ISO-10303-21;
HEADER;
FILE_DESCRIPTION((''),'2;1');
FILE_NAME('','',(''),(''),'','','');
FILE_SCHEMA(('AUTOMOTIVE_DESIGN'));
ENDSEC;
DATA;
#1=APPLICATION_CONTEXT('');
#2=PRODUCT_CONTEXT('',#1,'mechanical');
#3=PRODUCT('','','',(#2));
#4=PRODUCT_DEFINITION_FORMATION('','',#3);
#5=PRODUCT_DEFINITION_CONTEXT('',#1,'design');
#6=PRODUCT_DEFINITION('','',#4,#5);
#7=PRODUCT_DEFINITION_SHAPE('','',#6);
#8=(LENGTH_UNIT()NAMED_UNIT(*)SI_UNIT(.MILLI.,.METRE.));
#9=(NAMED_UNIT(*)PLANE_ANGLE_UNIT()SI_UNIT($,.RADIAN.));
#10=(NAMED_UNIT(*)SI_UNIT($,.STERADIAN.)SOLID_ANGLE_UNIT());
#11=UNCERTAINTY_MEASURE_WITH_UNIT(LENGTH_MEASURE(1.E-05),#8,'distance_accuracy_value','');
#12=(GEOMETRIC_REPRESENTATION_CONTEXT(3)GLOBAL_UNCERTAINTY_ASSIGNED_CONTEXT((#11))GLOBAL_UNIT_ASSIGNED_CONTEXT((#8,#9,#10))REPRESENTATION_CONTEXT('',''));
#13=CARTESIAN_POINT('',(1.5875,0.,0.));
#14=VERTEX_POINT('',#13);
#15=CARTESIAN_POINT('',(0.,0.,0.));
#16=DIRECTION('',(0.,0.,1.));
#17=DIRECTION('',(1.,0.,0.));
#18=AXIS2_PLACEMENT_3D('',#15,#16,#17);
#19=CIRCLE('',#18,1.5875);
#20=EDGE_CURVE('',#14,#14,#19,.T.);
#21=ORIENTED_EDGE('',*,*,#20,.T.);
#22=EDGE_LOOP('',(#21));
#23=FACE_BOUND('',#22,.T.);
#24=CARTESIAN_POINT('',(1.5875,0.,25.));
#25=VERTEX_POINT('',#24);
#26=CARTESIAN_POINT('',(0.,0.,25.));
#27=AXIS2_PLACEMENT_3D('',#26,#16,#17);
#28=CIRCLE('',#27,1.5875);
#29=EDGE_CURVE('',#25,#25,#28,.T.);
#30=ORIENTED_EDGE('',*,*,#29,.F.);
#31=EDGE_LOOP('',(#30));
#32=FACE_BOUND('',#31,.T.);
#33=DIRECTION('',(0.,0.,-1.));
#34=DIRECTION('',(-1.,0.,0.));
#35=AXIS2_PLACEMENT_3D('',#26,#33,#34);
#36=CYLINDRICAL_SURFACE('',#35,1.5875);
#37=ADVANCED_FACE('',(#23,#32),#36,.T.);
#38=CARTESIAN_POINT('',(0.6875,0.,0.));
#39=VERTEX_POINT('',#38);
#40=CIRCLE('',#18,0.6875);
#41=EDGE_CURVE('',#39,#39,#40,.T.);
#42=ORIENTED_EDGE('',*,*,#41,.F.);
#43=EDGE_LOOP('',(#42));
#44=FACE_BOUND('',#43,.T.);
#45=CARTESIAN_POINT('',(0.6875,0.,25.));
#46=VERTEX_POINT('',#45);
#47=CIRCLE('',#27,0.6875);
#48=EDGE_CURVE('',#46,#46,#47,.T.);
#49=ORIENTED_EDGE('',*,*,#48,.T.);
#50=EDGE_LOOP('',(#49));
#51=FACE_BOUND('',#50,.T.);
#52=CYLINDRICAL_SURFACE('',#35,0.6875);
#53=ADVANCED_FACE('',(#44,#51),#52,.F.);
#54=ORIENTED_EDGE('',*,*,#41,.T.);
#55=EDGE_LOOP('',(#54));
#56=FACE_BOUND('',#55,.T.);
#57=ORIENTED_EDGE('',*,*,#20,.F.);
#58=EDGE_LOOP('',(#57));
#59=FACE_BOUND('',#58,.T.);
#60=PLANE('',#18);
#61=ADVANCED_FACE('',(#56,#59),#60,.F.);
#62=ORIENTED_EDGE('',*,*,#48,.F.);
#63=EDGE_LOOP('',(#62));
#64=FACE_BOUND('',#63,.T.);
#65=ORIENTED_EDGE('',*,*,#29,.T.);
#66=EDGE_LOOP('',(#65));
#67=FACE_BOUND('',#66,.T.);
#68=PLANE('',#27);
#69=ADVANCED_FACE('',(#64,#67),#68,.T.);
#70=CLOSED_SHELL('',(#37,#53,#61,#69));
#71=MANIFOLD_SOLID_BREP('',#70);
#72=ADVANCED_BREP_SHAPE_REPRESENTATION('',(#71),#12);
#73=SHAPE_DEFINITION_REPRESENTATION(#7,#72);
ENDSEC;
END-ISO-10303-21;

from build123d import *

# Parameters (mm, degrees)
SCHIZZO1_R                = 1.5875
SCHIZZO1_R_2              = 0.6875
ESTRUSIONE_SOTTILE1_DEPTH = 25


with BuildPart() as part:
    # Schizzo1 → Estrusione-Sottile1 (new body)
    with BuildSketch(Plane.XY):
        Circle(SCHIZZO1_R)
        Circle(SCHIZZO1_R_2, mode=Mode.SUBTRACT)
    extrude(amount=ESTRUSIONE_SOTTILE1_DEPTH)


solid = part.part
